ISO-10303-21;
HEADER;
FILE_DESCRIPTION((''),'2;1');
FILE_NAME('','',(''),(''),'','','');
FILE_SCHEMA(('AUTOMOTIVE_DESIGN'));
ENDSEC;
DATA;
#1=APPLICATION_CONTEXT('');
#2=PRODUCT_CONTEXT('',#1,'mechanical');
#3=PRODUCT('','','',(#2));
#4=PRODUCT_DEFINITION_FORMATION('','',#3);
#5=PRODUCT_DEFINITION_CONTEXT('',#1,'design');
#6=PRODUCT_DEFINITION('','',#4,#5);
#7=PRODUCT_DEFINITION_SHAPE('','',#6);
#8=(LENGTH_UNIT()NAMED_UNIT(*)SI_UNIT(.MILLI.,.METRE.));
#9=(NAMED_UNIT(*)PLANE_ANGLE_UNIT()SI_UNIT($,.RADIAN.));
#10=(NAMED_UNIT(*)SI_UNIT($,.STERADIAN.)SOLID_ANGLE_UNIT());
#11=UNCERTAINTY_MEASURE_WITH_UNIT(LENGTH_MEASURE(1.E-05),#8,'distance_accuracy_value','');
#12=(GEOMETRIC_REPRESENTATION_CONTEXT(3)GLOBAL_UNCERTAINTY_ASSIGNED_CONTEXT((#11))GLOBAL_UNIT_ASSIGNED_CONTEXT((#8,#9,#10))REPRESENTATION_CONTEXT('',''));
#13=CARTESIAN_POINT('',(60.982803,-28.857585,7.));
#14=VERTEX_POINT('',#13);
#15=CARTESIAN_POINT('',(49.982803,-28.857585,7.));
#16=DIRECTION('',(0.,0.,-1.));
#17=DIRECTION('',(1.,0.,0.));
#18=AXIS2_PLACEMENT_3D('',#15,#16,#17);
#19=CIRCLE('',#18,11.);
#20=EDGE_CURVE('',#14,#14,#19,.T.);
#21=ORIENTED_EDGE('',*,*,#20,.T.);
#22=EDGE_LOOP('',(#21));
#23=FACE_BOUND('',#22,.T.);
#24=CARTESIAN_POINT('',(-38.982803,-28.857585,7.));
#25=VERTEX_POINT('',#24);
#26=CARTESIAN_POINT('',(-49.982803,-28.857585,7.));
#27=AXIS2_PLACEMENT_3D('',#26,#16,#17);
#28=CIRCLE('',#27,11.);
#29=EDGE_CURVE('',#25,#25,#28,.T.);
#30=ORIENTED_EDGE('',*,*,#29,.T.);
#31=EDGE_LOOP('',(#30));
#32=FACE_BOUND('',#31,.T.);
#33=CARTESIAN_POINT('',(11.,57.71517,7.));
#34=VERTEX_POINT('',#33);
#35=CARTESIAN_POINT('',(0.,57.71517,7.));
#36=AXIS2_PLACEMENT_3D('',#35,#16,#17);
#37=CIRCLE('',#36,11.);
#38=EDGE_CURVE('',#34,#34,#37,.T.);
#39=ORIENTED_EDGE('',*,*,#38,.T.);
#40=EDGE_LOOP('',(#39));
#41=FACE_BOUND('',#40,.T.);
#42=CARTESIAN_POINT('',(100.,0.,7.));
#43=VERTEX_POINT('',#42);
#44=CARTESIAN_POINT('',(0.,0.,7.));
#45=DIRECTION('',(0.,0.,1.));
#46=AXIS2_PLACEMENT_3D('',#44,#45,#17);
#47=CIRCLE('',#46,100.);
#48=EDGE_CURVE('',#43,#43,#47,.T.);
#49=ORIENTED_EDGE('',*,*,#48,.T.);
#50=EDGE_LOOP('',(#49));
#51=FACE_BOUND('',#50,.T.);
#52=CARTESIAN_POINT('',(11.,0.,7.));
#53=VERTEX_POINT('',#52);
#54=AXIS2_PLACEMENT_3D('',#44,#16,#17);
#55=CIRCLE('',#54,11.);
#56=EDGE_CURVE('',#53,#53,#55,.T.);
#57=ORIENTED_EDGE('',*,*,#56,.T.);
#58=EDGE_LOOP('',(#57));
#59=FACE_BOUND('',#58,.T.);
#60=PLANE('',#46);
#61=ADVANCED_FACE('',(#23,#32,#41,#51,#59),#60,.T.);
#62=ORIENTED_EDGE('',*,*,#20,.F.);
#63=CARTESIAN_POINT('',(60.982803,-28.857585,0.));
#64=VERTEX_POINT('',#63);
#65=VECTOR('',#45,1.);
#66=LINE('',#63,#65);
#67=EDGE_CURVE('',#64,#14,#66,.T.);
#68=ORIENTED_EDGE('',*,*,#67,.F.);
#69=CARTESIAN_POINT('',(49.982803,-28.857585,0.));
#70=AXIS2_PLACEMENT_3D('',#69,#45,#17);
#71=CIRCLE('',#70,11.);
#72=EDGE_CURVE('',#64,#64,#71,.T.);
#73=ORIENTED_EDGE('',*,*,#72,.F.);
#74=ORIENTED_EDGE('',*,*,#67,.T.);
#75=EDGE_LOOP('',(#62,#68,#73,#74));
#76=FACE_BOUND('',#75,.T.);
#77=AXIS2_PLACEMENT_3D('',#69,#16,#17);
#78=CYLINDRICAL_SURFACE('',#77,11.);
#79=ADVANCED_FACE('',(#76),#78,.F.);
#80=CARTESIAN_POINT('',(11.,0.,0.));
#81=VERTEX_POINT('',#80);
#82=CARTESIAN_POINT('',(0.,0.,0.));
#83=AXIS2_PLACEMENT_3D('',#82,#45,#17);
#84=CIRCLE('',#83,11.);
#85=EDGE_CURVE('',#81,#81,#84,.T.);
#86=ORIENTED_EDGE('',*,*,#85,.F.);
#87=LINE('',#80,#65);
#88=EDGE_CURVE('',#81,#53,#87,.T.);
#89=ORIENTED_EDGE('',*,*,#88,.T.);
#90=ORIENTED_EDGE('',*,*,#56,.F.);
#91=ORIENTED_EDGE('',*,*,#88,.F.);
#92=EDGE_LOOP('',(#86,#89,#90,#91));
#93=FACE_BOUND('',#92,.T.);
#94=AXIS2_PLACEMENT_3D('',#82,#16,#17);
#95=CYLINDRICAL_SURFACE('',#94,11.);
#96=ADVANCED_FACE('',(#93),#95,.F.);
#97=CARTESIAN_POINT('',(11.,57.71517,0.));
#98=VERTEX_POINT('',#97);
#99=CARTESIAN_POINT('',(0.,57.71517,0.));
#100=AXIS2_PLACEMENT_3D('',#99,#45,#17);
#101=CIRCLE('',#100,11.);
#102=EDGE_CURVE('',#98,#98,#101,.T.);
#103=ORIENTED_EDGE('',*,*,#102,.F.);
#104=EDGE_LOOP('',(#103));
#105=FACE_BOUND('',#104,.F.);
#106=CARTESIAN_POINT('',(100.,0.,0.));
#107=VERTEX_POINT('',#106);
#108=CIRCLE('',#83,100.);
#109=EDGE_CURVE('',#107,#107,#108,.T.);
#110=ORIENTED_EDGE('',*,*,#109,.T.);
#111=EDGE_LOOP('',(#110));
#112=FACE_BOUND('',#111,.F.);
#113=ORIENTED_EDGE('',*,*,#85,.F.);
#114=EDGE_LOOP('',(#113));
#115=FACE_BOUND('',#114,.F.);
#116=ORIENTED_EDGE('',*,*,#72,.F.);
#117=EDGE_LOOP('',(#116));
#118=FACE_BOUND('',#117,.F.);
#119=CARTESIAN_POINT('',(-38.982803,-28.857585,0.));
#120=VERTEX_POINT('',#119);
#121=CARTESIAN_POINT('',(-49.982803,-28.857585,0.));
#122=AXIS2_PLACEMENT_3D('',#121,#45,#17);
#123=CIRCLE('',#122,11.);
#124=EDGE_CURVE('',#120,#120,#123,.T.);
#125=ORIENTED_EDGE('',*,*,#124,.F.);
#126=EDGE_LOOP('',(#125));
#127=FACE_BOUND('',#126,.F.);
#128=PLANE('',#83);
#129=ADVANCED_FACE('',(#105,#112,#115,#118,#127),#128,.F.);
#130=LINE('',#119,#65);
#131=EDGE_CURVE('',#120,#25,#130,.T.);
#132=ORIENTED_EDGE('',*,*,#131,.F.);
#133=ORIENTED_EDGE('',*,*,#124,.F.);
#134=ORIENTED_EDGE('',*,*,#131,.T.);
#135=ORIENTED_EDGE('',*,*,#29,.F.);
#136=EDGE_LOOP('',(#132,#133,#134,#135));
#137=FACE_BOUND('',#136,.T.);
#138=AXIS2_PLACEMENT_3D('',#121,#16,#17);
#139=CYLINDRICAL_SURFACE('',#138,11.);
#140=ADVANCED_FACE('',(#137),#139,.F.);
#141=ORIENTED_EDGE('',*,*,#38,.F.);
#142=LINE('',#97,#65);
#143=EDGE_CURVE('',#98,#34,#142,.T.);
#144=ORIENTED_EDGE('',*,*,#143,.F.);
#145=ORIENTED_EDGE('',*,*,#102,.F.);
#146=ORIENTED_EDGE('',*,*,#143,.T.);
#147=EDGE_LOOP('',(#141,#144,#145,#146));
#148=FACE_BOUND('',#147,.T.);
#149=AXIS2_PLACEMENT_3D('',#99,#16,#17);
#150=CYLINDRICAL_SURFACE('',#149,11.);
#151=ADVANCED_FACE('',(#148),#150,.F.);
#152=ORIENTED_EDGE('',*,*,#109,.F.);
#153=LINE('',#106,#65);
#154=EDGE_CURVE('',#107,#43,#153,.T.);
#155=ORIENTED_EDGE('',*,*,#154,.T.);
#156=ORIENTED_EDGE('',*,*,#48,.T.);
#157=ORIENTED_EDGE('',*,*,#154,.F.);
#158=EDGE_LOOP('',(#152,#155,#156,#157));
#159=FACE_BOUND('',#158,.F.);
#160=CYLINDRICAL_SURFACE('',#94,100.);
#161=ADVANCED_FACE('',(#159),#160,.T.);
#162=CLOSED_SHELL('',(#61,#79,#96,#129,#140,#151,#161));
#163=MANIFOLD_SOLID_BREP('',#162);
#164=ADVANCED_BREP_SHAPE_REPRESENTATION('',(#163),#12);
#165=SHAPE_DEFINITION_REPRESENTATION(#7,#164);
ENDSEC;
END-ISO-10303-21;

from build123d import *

# Parameters (mm, degrees)
F0_R     = 100
F1_DEPTH = 7
F2_R     = 11
F3_DEPTH = 25


with BuildPart() as f1:
    # F0 (on Top) → F1 (new body)
    with BuildSketch(Plane.XY):
        Circle(F0_R)
    extrude(amount=F1_DEPTH)

    # F2 (on Top) → F3 (cut)
    with BuildSketch(Plane.XY):
        Circle(F2_R)
        with Locations((0, 57.71517)):
            Circle(F2_R)
        with Locations((-49.982803, -28.857585)):
            Circle(F2_R)
        with Locations((49.982803, -28.857585)):
            Circle(F2_R)
    extrude(amount=F3_DEPTH, mode=Mode.SUBTRACT)


solid = f1.part
